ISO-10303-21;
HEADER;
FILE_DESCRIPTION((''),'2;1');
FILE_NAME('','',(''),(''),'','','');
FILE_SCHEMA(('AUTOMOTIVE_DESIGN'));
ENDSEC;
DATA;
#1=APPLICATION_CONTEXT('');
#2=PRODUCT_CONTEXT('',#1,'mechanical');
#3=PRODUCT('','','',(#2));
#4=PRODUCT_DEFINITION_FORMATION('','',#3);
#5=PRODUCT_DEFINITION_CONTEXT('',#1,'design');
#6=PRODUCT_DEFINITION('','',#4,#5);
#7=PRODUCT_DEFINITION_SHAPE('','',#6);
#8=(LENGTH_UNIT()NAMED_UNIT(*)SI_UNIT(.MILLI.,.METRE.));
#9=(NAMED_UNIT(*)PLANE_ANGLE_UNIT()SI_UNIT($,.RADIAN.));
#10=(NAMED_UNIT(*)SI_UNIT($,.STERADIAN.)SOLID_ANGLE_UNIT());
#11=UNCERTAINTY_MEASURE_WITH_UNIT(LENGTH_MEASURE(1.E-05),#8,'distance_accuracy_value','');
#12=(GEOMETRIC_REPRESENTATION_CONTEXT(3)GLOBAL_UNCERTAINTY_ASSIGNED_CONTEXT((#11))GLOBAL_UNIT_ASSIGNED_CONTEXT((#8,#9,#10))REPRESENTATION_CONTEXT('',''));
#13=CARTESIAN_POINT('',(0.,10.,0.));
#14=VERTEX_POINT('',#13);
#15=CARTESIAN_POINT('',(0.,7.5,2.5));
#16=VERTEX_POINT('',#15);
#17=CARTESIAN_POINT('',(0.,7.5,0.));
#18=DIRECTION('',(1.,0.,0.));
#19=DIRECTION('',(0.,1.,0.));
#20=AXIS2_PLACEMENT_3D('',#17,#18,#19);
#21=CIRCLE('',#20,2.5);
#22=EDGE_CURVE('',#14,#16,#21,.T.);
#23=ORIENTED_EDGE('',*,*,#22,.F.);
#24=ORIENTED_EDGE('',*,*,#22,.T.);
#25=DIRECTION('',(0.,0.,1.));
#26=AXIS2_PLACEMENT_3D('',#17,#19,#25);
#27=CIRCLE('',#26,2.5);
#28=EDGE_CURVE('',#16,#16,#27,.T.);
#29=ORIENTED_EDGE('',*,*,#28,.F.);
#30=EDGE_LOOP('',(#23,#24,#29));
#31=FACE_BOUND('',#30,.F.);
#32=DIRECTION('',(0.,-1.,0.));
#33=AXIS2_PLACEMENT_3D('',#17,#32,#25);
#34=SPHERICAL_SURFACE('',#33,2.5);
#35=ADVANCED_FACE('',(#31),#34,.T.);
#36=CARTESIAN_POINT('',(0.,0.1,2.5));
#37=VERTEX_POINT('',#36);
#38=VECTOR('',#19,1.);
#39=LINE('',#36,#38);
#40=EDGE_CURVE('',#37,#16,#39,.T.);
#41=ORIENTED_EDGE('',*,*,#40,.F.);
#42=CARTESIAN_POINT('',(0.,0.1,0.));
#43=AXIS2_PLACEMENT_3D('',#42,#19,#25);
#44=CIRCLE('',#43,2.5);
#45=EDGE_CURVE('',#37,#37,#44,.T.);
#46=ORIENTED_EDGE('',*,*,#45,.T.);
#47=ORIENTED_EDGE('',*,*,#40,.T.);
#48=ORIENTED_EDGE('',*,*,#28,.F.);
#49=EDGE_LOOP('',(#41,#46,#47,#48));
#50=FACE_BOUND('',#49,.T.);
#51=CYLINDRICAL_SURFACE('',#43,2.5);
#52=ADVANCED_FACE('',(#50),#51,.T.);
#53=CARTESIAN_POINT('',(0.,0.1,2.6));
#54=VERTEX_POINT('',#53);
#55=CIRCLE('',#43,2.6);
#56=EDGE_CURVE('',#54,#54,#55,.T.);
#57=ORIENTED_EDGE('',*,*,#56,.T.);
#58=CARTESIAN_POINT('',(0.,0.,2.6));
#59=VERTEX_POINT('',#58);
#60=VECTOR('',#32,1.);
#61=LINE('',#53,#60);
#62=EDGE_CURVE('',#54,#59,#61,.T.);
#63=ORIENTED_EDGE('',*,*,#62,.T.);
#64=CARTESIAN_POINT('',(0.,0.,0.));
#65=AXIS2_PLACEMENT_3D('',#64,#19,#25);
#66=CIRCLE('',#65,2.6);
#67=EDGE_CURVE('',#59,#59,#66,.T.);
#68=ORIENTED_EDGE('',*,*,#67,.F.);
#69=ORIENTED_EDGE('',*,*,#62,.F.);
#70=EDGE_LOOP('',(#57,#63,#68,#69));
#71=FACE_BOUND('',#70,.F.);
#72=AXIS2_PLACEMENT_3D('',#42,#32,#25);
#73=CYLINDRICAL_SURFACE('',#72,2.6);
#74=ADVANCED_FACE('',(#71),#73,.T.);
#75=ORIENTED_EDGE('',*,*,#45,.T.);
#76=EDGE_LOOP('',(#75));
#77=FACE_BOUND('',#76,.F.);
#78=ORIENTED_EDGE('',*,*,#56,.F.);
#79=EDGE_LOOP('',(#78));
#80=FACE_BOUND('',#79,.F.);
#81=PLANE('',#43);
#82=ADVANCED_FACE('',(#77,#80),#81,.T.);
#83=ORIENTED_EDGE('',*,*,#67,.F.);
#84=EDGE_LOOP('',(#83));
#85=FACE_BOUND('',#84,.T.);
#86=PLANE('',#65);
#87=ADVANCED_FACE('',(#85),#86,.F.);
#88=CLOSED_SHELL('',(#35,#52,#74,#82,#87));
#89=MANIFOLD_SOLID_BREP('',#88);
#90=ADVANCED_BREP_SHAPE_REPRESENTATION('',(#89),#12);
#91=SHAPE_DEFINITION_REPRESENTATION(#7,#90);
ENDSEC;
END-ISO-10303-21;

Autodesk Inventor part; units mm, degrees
ref_plane "YZ Plane" through (0, 0, 0) normal (1, 0, 0) x (0, 1, 0)
ref_plane "XZ Plane" through (0, 0, 0) normal (0, 1, 0) x (-1, 0, 0)
ref_plane "XY Plane" through (0, 0, 0) normal (0, 0, 1) x (1, 0, 0)
sketch "Skizze4" plane through (0, 0, 0) normal (1, 0, 0) x (0, 1, 0)
  line L0 (-2.1036, 0) -> (12.6213, 0) projected
  line L1 (0, 0) -> (0, 2.6)
  line L2 (0.1, 2.5) -> (7.5, 2.5)
  arc A0 (10, 0) -> (7.5, 2.5) centre (7.5, 0) ccw
  line L3 (0, 0) -> (10, 0)
  line L4 (0, -0.6036) -> (0, 3.6213) construction
  line L5 (0.1, 2.5) -> (0.1, 2.6)
  line L6 (0.1, 2.6) -> (0, 2.6)
  dimension "d4" = 5
  dimension "d5" = 10
  dimension "d7" = 0.1
  dimension "d8" = 0.1
revolve "Umdrehung1" add sketch "Skizze4" angle 360 about axis through (0, -10, 0) along (0, 1, 0)
equation "\"d7\" = d8"
properties part number "Photodiodendummie" material "Kst - PEEK GF30"
